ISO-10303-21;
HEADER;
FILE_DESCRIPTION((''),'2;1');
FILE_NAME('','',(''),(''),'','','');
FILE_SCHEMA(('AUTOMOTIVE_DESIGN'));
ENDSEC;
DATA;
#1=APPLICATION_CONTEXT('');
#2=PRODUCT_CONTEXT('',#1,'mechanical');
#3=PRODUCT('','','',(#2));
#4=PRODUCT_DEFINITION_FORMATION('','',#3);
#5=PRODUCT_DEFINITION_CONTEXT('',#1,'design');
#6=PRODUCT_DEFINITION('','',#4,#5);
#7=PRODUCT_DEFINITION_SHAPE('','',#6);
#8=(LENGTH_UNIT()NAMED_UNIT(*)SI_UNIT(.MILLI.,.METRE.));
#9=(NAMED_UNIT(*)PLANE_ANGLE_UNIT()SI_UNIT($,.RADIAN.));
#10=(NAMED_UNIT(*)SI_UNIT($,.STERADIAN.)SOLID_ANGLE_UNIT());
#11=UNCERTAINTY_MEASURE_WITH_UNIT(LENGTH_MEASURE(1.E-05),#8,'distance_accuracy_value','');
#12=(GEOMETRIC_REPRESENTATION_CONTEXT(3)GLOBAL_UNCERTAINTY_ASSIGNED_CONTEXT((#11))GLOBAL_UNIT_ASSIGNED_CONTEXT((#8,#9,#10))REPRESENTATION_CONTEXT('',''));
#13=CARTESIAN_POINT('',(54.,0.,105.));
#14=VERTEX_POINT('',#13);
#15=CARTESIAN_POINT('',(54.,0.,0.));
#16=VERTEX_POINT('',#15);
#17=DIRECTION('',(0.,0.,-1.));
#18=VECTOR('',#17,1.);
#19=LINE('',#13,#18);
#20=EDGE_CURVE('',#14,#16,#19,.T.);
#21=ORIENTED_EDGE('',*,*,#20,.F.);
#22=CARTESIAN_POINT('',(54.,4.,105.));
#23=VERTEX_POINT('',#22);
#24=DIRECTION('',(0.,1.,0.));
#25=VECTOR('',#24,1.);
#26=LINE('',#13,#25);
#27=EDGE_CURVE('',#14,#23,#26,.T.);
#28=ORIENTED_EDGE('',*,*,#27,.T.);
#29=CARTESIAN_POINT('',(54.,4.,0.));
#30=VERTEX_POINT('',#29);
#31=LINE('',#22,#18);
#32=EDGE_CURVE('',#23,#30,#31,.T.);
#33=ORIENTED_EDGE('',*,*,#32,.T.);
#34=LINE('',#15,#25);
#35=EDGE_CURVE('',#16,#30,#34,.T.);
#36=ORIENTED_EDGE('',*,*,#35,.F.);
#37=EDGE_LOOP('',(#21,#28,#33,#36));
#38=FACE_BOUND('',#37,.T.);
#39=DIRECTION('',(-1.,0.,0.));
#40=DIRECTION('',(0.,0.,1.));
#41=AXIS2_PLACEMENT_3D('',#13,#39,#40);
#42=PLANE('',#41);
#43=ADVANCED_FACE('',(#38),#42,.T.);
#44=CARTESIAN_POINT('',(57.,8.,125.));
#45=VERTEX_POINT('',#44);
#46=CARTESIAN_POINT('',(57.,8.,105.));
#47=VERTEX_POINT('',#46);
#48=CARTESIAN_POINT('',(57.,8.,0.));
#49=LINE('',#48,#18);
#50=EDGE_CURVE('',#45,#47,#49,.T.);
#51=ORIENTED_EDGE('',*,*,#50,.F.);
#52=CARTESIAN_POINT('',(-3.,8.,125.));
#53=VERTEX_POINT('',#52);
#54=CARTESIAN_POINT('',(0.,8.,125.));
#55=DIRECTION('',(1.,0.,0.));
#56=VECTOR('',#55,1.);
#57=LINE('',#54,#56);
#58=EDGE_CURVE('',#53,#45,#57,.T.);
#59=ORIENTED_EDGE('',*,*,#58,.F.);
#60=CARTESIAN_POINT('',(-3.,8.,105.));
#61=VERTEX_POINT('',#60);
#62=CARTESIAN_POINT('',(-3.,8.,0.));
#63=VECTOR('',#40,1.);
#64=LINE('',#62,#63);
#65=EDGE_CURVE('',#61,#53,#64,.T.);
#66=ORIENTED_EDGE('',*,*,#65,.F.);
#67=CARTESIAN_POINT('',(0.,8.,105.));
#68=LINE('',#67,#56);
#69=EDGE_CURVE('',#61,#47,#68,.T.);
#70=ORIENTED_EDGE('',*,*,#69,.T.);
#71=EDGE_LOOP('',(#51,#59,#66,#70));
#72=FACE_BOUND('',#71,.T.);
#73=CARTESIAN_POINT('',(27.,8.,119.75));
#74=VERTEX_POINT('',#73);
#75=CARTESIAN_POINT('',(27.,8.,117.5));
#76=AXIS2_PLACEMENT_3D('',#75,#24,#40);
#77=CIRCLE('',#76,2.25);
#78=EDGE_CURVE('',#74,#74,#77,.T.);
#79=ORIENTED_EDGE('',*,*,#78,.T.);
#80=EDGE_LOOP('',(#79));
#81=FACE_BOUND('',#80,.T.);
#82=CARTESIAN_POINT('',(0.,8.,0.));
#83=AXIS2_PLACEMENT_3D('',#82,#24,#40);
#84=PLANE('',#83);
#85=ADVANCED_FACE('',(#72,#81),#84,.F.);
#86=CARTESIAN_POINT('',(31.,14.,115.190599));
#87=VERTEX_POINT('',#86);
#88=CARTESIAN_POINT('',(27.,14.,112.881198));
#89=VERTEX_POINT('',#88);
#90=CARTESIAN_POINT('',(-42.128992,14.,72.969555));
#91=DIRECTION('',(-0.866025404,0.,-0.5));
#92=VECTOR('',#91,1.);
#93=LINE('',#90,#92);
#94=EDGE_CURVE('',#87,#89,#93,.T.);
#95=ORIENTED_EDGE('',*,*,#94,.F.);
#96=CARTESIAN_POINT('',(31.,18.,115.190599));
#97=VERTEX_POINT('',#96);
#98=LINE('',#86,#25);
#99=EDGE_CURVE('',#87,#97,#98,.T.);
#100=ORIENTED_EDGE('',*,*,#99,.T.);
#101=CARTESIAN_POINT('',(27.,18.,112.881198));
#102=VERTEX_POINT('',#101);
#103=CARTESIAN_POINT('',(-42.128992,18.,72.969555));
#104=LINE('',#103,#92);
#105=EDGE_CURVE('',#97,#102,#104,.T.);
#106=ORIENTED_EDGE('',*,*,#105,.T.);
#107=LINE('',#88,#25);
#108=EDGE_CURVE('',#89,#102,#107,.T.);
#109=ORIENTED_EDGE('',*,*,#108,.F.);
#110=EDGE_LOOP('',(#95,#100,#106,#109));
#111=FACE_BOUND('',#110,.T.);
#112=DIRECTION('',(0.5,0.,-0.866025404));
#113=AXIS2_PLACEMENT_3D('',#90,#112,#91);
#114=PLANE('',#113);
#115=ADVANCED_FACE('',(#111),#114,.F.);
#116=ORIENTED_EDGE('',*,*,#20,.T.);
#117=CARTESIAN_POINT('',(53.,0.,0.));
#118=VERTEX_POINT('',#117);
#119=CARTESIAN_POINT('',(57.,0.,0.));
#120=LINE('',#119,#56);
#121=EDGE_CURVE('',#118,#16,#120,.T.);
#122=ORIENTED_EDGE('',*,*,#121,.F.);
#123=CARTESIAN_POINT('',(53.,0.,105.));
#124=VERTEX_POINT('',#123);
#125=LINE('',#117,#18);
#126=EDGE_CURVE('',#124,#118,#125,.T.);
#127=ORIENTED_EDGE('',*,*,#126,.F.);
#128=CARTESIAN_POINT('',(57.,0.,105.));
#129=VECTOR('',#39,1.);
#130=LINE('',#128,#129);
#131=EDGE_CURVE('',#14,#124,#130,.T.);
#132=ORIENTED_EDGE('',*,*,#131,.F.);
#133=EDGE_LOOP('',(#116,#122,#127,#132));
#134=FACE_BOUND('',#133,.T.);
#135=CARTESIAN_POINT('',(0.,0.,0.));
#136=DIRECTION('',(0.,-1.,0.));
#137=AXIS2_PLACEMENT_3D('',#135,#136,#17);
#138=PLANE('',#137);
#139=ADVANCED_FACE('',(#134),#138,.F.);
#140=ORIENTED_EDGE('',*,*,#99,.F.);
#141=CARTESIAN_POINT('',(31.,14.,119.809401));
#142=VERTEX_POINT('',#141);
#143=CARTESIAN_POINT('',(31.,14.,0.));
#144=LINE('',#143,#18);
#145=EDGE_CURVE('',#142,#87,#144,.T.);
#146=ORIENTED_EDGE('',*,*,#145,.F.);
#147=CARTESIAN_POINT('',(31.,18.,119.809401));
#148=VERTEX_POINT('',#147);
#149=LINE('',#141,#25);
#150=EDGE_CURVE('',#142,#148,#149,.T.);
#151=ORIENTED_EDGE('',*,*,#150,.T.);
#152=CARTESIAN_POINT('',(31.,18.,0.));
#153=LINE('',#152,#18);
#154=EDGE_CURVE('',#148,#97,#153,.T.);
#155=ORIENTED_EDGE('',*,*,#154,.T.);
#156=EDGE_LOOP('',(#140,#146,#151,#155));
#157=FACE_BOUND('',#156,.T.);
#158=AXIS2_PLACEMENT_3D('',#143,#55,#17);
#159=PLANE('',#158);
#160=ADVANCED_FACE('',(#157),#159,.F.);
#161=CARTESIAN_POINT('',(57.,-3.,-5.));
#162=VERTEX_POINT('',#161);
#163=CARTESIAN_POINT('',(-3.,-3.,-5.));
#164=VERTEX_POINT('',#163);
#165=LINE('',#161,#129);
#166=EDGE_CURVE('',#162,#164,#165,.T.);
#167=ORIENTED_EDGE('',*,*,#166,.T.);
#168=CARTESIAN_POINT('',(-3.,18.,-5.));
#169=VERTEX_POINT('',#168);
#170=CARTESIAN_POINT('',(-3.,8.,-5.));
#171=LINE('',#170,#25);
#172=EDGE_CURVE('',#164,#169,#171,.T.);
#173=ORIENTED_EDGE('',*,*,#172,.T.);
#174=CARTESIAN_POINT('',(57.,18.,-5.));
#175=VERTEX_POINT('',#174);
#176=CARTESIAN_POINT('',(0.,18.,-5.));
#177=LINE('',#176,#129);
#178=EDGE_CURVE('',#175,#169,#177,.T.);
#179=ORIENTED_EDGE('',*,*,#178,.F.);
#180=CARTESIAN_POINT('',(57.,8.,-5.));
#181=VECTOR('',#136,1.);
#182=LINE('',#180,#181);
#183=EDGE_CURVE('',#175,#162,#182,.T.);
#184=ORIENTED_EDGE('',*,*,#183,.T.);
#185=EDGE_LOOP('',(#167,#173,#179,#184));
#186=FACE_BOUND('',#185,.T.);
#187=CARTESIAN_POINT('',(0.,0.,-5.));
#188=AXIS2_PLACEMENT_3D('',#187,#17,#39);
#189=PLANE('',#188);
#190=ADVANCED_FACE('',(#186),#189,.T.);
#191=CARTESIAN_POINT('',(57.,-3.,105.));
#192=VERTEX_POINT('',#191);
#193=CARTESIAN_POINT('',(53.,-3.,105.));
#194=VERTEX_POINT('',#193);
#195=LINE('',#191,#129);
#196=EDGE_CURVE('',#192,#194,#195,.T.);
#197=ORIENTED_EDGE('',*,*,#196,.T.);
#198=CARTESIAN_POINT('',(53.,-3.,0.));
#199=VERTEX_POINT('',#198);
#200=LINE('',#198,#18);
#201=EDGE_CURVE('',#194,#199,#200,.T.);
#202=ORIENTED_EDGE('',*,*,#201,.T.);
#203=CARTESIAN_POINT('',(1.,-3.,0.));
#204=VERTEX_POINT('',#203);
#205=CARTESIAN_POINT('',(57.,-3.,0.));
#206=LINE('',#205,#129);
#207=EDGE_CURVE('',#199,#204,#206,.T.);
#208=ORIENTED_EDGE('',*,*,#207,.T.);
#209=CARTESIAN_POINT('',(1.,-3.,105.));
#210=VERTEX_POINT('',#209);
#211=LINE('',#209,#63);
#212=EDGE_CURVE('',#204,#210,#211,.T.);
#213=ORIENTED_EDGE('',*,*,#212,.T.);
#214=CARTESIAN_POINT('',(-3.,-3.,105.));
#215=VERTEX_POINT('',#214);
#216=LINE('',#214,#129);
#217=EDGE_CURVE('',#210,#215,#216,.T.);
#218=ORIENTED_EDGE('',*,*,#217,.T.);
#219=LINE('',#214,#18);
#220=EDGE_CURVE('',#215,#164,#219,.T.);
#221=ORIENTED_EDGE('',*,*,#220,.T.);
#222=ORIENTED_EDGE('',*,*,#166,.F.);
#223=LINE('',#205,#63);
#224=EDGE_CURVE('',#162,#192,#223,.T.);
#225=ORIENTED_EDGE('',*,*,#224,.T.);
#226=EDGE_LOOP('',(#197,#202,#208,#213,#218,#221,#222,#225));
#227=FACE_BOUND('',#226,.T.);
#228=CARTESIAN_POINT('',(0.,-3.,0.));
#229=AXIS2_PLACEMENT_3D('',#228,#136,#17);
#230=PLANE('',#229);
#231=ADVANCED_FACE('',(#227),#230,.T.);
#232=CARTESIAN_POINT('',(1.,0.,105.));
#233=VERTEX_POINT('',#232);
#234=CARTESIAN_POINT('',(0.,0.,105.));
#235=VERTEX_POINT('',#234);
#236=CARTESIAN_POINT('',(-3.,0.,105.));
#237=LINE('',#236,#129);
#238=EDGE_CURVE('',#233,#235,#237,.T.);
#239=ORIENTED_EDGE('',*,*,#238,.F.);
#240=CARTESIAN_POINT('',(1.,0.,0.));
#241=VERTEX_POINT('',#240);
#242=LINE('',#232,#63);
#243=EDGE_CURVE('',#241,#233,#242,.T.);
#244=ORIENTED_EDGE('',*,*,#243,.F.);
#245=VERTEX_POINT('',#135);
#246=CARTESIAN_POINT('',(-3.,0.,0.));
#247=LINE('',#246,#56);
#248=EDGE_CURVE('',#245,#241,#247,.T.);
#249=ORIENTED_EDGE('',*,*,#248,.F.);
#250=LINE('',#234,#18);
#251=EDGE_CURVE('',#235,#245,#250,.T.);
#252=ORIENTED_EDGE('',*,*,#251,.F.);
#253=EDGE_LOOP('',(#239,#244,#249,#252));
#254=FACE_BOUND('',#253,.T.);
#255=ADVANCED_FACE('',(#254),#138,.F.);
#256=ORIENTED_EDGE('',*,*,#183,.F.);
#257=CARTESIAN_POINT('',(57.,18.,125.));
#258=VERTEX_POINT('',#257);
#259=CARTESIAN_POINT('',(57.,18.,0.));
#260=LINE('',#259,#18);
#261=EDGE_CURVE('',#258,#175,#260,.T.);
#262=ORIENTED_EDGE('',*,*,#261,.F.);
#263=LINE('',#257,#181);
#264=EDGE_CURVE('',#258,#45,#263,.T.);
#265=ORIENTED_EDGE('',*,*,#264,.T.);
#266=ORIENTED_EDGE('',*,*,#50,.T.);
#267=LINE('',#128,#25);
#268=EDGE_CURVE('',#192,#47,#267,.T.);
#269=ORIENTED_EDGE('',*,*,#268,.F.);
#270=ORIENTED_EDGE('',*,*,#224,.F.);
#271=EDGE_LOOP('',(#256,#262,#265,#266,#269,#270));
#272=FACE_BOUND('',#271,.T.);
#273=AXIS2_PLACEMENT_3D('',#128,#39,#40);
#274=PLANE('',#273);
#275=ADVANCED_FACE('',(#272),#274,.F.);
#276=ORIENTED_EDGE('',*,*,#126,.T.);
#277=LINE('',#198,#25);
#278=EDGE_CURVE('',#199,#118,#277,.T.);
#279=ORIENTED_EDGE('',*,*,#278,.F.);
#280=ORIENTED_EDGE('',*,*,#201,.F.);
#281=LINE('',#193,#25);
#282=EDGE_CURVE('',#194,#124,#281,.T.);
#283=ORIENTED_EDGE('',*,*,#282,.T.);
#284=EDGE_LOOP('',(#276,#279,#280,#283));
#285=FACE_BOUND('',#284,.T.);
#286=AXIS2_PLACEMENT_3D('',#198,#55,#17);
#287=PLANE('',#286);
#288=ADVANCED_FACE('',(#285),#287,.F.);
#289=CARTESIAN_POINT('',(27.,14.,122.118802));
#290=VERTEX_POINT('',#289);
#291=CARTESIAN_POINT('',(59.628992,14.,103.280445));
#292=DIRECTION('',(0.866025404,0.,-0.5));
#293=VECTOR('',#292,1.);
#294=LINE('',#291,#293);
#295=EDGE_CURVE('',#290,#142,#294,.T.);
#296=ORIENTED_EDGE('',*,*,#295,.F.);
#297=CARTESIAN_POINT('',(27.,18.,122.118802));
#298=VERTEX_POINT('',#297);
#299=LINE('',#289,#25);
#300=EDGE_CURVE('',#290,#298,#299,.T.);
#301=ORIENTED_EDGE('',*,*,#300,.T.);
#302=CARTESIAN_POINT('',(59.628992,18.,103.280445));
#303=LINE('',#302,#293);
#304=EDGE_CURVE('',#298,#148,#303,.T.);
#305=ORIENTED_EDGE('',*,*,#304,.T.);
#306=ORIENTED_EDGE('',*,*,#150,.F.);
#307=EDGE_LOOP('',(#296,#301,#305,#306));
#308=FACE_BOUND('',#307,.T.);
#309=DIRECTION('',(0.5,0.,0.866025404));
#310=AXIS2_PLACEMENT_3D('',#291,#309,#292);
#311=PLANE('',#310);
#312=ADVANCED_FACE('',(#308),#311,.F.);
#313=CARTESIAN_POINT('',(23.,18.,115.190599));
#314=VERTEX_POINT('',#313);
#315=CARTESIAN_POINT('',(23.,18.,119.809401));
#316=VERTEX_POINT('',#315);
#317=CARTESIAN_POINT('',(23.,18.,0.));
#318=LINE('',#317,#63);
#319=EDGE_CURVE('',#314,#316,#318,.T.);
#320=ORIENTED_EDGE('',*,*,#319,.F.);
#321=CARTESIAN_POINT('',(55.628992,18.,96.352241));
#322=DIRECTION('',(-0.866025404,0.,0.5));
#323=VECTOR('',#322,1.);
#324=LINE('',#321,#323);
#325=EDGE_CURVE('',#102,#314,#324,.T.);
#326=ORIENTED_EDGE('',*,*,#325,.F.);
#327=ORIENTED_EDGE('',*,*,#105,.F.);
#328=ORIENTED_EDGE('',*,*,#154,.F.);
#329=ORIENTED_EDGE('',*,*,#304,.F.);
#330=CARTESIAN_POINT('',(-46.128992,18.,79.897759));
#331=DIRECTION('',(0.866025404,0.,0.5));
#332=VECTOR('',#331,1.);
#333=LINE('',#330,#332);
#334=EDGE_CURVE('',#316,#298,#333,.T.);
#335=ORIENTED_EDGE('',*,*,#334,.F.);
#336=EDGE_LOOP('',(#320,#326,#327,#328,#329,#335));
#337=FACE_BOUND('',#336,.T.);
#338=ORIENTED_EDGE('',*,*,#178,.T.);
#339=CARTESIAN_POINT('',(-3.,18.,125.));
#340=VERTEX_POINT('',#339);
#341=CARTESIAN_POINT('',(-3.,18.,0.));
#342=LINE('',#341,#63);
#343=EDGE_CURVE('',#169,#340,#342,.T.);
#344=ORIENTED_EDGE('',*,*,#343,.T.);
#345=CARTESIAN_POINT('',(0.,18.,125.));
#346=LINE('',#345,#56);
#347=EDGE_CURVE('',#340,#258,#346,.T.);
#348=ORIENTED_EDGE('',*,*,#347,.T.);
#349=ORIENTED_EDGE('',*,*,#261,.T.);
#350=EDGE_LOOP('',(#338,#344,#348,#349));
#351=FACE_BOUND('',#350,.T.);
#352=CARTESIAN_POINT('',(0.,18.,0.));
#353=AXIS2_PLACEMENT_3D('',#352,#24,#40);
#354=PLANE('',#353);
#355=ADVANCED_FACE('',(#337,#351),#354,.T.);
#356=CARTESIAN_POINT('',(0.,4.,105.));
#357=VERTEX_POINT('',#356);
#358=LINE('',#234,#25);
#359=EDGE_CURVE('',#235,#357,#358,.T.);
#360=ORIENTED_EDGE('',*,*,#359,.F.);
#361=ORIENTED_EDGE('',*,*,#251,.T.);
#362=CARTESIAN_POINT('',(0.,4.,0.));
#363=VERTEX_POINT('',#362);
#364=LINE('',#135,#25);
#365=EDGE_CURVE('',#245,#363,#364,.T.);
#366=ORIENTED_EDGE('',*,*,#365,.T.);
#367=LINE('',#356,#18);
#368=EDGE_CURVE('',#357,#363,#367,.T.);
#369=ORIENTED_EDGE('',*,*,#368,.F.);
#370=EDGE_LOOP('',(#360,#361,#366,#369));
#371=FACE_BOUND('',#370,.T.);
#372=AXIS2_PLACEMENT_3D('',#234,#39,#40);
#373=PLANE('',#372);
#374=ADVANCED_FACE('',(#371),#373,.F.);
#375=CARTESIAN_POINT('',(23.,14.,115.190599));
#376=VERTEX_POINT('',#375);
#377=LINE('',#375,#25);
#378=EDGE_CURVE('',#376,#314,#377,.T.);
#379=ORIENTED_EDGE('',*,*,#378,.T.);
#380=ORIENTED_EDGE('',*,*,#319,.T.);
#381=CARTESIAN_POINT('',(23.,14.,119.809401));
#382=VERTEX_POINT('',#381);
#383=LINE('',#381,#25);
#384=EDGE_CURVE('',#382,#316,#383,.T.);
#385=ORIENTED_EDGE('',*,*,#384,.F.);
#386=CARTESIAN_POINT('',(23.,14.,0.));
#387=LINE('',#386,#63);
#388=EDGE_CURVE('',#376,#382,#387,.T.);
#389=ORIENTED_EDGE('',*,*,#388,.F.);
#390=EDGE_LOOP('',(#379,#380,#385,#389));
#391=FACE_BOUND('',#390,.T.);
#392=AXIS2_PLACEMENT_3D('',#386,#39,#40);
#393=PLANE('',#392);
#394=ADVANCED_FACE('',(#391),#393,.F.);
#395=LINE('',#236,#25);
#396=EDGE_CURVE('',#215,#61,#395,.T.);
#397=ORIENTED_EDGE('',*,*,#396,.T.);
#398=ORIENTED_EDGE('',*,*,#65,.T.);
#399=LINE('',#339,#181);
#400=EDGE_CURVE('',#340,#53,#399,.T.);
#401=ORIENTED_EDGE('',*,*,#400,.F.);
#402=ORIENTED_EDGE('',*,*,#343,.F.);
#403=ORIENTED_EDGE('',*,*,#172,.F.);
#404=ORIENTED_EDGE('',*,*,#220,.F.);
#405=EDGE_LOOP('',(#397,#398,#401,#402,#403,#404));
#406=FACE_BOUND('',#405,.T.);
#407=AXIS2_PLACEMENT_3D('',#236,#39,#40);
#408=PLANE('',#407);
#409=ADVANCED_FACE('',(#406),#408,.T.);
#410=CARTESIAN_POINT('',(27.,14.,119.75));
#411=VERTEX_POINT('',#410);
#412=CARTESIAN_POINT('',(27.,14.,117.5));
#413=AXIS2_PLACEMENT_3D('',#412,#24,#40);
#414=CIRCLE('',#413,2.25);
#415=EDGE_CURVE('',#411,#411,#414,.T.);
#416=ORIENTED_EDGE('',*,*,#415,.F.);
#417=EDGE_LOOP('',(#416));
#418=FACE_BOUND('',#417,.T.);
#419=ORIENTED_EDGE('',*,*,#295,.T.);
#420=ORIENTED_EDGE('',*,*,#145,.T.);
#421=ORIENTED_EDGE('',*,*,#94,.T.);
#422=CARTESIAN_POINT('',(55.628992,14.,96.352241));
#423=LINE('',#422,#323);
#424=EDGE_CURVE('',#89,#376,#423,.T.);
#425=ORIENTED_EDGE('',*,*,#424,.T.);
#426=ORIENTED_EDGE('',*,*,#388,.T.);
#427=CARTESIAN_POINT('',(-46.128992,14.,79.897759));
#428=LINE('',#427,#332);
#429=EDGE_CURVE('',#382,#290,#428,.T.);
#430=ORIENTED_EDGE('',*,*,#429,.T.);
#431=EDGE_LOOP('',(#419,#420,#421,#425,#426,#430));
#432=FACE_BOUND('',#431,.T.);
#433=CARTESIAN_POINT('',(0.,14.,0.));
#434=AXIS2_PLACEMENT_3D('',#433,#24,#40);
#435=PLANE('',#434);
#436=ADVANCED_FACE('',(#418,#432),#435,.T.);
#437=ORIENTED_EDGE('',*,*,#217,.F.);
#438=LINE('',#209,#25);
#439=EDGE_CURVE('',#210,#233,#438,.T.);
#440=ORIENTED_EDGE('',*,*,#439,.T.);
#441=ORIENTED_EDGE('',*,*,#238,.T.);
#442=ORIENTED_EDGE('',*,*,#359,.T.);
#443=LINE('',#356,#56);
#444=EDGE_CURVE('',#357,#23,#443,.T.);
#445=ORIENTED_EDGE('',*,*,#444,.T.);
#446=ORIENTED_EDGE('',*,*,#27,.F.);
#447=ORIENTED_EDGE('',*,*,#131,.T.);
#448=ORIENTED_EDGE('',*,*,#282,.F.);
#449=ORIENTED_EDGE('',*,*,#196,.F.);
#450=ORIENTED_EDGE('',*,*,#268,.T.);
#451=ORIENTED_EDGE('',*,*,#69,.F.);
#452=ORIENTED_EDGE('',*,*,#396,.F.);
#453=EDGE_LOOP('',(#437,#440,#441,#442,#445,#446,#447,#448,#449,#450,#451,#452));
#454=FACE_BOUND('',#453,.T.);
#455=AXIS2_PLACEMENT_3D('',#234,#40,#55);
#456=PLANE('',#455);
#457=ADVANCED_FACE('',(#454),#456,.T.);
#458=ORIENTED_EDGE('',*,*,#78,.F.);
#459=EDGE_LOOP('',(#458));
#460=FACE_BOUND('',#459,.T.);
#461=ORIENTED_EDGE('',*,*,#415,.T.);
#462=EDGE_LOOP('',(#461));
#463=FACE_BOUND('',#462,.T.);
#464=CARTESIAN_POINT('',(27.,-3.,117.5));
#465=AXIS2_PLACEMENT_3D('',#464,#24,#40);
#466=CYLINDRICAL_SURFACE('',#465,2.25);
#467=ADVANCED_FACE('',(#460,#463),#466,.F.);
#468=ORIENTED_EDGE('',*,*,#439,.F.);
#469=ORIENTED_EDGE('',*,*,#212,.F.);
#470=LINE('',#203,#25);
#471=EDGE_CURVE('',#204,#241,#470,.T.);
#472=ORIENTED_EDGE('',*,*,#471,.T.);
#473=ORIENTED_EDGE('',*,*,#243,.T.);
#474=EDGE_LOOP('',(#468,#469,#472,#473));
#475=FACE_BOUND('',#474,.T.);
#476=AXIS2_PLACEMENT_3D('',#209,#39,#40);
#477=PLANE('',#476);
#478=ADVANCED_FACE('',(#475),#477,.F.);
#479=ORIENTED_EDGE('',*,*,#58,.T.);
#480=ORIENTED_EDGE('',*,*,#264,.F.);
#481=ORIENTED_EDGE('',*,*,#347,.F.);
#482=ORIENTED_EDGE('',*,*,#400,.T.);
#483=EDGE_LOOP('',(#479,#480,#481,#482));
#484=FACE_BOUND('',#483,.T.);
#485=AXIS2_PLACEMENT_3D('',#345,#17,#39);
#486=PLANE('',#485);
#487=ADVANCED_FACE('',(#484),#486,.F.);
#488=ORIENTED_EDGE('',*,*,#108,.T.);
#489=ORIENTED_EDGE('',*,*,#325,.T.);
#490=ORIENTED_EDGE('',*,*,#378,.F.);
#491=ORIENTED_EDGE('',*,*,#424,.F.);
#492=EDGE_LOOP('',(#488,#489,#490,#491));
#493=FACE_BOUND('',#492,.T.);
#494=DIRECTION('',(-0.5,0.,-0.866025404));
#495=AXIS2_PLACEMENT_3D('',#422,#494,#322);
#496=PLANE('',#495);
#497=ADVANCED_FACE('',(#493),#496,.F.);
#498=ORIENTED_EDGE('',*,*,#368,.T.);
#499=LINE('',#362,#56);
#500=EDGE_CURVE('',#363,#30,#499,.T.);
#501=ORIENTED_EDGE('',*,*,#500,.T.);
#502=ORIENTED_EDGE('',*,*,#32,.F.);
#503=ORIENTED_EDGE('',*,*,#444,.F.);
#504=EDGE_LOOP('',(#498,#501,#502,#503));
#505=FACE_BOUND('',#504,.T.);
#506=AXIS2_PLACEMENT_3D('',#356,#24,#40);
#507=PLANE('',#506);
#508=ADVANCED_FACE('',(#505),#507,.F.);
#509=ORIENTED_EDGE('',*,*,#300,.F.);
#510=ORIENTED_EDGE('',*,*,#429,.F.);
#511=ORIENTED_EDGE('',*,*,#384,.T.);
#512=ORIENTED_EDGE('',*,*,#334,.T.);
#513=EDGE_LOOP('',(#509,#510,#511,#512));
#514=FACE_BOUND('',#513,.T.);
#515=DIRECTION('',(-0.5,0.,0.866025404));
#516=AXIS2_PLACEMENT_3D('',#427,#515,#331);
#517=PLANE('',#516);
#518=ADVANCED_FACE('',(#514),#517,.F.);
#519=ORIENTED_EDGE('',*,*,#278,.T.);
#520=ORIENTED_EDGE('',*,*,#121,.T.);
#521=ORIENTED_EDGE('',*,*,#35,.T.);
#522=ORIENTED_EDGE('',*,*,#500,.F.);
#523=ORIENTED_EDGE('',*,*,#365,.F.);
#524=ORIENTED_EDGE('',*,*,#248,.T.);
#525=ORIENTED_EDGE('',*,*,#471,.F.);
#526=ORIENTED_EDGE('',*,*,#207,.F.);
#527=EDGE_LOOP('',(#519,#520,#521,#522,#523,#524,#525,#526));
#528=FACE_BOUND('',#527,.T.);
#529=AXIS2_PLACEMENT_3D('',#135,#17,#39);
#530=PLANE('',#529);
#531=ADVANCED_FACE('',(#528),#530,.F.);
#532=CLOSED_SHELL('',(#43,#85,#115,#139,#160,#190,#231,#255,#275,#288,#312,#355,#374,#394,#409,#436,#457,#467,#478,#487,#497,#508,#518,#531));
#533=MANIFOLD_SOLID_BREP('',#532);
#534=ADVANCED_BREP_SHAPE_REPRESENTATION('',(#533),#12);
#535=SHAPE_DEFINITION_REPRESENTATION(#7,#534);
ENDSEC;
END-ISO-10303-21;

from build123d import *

# Parameters (mm, degrees)
EXTRUDE_1_DEPTH     = 105
SKETCH_2_W          = 4
SKETCH_2_H          = 105
EXTRUDE_2_DEPTH     = 3
SKETCH_4_W          = 60
SKETCH_4_H          = 11
EXTRUDE_3_DEPTH     = 5
SKETCH_6_W          = 60
SKETCH_6_H          = 110
SKETCH_6_H_2        = 20
EXTRUDE_4_DEPTH     = 10
CUT_EXTRUDE_1_DEPTH = 4
SKETCH_9_R          = 2.25
CUT_EXTRUDE_2_DEPTH = 139.430487971


with BuildPart() as part:
    # 스케치1 → 보스-돌출1 (new body)
    with BuildSketch(Plane.XY):
        Polygon((-3, 0), (0, 0), (0, 4), (54, 4), (54, 0), (57, 0), (57, 8), (-3, 8), align=None)
    extrude(amount=EXTRUDE_1_DEPTH)

    # 스케치2 → 보스-돌출2 (add)
    with BuildSketch(Plane.XZ):
        with Locations((-1, 52.5)):
            Rectangle(SKETCH_2_W, SKETCH_2_H)
        with Locations((55, 52.5)):
            Rectangle(SKETCH_2_W, SKETCH_2_H)
    extrude(amount=EXTRUDE_2_DEPTH)

    # 스케치4 → 보스-돌출3 (add)
    with BuildSketch(Plane(origin=(0, 0, 0), x_dir=(-1, 0, 0), z_dir=(0, 0, -1))):
        with Locations((-27, 2.5)):
            Rectangle(SKETCH_4_W, SKETCH_4_H)
    extrude(amount=EXTRUDE_3_DEPTH)

    # 스케치6 → 보스-돌출4 (add)
    with BuildSketch(Plane(origin=(0, 8, 0), x_dir=(1, 0, 0), z_dir=(0, 1, 0))):
        with Locations((27, -50)):
            Rectangle(SKETCH_6_W, SKETCH_6_H)
        with Locations((27, -115)):
            Rectangle(SKETCH_6_W, SKETCH_6_H_2)
    extrude(amount=EXTRUDE_4_DEPTH)

    # 스케치8 → 컷-돌출1 (cut)
    with BuildSketch(Plane(origin=(0, 18, 0), x_dir=(1, 0, 0), z_dir=(0, 1, 0))):
        Polygon((23, -115.190598923), (23, -119.809401077), (27, -122.118802154), (31, -119.809401077), (31, -115.190598923), (27, -112.881197846), align=None)
    extrude(amount=-CUT_EXTRUDE_1_DEPTH, mode=Mode.SUBTRACT)

    # 스케치9 → 컷-돌출2 (cut, through all)
    with BuildSketch(Plane(origin=(0, 14, 0), x_dir=(1, 0, 0), z_dir=(0, 1, 0))):
        with Locations(Location((27, -117.5, 0), (0, 0, 270))):
            Circle(SKETCH_9_R)
    extrude(amount=-CUT_EXTRUDE_2_DEPTH, mode=Mode.SUBTRACT)


solid = part.part
